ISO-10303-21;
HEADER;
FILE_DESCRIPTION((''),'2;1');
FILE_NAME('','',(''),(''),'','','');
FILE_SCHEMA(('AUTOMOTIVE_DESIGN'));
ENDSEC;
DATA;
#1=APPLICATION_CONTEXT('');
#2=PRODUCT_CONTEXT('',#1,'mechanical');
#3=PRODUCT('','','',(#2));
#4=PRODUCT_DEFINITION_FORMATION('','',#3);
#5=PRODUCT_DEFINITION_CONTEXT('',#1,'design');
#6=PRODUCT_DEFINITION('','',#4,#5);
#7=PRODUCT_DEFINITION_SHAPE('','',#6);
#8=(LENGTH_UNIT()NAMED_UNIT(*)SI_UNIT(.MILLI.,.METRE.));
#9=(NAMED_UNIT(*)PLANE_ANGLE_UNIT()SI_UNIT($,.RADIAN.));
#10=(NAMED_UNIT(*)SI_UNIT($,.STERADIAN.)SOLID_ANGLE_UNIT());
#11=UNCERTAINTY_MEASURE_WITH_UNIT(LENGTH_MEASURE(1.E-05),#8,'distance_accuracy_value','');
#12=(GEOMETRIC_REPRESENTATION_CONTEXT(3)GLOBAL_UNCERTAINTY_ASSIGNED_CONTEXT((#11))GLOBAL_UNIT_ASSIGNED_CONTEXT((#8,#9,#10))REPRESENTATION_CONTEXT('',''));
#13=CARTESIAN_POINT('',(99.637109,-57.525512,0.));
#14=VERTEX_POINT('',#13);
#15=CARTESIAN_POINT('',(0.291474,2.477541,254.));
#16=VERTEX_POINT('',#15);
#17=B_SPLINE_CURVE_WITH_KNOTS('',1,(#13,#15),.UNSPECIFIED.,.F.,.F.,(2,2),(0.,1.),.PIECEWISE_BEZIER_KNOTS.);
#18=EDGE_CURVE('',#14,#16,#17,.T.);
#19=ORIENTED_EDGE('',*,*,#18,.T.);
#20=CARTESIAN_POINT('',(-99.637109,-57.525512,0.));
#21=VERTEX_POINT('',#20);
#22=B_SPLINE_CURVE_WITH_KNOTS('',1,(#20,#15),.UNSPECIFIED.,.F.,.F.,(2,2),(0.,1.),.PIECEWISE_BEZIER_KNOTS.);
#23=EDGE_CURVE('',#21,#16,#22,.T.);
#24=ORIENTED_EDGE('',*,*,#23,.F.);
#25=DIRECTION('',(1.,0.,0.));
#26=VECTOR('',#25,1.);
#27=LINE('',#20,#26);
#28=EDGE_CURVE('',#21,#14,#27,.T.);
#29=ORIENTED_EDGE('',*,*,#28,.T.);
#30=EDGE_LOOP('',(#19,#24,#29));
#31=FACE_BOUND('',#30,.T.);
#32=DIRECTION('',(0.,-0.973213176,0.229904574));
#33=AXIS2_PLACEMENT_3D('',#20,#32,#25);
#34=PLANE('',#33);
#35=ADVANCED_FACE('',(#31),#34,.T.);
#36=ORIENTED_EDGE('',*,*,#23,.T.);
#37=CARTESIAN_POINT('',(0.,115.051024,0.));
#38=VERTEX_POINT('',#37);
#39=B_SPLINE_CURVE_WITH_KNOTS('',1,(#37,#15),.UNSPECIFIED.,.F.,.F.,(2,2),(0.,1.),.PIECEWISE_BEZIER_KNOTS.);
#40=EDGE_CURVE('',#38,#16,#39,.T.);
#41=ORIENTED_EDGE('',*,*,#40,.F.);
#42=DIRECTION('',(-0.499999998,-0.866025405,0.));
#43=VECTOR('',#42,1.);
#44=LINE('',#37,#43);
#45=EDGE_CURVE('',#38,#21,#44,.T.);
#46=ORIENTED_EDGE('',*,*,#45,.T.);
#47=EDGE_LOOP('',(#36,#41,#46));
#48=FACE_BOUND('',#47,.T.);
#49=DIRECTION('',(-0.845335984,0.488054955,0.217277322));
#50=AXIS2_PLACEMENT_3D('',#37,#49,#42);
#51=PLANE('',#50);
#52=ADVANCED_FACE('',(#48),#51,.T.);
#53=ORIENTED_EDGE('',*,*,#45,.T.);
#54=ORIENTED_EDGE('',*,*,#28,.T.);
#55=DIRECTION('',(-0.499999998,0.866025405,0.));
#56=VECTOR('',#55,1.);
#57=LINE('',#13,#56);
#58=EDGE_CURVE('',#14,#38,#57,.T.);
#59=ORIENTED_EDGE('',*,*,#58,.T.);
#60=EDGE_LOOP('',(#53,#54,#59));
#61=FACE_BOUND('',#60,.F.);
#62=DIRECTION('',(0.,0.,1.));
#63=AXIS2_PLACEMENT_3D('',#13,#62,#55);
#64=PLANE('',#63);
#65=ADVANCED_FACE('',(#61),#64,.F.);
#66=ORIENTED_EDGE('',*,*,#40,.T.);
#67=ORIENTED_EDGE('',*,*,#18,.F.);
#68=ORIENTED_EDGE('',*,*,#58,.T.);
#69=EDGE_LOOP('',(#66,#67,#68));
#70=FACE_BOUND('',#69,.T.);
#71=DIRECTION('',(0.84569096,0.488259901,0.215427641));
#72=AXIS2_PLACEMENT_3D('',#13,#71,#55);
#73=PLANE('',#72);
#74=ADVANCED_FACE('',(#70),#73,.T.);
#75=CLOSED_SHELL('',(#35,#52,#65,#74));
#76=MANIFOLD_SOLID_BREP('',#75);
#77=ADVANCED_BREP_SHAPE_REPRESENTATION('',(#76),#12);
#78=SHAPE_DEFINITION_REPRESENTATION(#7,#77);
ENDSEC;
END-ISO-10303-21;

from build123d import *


with BuildPart() as f3:
    # F0 (on Top) → F3 section 0
    with BuildSketch(Plane.XY, mode=Mode.PRIVATE) as f3_s0:
        Polygon((99.637109, -57.525512), (0, 115.051024), (-99.637109, -57.525512), align=None)
    loft([f3_s0.sketch, Vertex(0.291474, 2.477541, 254)])


solid = f3.part
